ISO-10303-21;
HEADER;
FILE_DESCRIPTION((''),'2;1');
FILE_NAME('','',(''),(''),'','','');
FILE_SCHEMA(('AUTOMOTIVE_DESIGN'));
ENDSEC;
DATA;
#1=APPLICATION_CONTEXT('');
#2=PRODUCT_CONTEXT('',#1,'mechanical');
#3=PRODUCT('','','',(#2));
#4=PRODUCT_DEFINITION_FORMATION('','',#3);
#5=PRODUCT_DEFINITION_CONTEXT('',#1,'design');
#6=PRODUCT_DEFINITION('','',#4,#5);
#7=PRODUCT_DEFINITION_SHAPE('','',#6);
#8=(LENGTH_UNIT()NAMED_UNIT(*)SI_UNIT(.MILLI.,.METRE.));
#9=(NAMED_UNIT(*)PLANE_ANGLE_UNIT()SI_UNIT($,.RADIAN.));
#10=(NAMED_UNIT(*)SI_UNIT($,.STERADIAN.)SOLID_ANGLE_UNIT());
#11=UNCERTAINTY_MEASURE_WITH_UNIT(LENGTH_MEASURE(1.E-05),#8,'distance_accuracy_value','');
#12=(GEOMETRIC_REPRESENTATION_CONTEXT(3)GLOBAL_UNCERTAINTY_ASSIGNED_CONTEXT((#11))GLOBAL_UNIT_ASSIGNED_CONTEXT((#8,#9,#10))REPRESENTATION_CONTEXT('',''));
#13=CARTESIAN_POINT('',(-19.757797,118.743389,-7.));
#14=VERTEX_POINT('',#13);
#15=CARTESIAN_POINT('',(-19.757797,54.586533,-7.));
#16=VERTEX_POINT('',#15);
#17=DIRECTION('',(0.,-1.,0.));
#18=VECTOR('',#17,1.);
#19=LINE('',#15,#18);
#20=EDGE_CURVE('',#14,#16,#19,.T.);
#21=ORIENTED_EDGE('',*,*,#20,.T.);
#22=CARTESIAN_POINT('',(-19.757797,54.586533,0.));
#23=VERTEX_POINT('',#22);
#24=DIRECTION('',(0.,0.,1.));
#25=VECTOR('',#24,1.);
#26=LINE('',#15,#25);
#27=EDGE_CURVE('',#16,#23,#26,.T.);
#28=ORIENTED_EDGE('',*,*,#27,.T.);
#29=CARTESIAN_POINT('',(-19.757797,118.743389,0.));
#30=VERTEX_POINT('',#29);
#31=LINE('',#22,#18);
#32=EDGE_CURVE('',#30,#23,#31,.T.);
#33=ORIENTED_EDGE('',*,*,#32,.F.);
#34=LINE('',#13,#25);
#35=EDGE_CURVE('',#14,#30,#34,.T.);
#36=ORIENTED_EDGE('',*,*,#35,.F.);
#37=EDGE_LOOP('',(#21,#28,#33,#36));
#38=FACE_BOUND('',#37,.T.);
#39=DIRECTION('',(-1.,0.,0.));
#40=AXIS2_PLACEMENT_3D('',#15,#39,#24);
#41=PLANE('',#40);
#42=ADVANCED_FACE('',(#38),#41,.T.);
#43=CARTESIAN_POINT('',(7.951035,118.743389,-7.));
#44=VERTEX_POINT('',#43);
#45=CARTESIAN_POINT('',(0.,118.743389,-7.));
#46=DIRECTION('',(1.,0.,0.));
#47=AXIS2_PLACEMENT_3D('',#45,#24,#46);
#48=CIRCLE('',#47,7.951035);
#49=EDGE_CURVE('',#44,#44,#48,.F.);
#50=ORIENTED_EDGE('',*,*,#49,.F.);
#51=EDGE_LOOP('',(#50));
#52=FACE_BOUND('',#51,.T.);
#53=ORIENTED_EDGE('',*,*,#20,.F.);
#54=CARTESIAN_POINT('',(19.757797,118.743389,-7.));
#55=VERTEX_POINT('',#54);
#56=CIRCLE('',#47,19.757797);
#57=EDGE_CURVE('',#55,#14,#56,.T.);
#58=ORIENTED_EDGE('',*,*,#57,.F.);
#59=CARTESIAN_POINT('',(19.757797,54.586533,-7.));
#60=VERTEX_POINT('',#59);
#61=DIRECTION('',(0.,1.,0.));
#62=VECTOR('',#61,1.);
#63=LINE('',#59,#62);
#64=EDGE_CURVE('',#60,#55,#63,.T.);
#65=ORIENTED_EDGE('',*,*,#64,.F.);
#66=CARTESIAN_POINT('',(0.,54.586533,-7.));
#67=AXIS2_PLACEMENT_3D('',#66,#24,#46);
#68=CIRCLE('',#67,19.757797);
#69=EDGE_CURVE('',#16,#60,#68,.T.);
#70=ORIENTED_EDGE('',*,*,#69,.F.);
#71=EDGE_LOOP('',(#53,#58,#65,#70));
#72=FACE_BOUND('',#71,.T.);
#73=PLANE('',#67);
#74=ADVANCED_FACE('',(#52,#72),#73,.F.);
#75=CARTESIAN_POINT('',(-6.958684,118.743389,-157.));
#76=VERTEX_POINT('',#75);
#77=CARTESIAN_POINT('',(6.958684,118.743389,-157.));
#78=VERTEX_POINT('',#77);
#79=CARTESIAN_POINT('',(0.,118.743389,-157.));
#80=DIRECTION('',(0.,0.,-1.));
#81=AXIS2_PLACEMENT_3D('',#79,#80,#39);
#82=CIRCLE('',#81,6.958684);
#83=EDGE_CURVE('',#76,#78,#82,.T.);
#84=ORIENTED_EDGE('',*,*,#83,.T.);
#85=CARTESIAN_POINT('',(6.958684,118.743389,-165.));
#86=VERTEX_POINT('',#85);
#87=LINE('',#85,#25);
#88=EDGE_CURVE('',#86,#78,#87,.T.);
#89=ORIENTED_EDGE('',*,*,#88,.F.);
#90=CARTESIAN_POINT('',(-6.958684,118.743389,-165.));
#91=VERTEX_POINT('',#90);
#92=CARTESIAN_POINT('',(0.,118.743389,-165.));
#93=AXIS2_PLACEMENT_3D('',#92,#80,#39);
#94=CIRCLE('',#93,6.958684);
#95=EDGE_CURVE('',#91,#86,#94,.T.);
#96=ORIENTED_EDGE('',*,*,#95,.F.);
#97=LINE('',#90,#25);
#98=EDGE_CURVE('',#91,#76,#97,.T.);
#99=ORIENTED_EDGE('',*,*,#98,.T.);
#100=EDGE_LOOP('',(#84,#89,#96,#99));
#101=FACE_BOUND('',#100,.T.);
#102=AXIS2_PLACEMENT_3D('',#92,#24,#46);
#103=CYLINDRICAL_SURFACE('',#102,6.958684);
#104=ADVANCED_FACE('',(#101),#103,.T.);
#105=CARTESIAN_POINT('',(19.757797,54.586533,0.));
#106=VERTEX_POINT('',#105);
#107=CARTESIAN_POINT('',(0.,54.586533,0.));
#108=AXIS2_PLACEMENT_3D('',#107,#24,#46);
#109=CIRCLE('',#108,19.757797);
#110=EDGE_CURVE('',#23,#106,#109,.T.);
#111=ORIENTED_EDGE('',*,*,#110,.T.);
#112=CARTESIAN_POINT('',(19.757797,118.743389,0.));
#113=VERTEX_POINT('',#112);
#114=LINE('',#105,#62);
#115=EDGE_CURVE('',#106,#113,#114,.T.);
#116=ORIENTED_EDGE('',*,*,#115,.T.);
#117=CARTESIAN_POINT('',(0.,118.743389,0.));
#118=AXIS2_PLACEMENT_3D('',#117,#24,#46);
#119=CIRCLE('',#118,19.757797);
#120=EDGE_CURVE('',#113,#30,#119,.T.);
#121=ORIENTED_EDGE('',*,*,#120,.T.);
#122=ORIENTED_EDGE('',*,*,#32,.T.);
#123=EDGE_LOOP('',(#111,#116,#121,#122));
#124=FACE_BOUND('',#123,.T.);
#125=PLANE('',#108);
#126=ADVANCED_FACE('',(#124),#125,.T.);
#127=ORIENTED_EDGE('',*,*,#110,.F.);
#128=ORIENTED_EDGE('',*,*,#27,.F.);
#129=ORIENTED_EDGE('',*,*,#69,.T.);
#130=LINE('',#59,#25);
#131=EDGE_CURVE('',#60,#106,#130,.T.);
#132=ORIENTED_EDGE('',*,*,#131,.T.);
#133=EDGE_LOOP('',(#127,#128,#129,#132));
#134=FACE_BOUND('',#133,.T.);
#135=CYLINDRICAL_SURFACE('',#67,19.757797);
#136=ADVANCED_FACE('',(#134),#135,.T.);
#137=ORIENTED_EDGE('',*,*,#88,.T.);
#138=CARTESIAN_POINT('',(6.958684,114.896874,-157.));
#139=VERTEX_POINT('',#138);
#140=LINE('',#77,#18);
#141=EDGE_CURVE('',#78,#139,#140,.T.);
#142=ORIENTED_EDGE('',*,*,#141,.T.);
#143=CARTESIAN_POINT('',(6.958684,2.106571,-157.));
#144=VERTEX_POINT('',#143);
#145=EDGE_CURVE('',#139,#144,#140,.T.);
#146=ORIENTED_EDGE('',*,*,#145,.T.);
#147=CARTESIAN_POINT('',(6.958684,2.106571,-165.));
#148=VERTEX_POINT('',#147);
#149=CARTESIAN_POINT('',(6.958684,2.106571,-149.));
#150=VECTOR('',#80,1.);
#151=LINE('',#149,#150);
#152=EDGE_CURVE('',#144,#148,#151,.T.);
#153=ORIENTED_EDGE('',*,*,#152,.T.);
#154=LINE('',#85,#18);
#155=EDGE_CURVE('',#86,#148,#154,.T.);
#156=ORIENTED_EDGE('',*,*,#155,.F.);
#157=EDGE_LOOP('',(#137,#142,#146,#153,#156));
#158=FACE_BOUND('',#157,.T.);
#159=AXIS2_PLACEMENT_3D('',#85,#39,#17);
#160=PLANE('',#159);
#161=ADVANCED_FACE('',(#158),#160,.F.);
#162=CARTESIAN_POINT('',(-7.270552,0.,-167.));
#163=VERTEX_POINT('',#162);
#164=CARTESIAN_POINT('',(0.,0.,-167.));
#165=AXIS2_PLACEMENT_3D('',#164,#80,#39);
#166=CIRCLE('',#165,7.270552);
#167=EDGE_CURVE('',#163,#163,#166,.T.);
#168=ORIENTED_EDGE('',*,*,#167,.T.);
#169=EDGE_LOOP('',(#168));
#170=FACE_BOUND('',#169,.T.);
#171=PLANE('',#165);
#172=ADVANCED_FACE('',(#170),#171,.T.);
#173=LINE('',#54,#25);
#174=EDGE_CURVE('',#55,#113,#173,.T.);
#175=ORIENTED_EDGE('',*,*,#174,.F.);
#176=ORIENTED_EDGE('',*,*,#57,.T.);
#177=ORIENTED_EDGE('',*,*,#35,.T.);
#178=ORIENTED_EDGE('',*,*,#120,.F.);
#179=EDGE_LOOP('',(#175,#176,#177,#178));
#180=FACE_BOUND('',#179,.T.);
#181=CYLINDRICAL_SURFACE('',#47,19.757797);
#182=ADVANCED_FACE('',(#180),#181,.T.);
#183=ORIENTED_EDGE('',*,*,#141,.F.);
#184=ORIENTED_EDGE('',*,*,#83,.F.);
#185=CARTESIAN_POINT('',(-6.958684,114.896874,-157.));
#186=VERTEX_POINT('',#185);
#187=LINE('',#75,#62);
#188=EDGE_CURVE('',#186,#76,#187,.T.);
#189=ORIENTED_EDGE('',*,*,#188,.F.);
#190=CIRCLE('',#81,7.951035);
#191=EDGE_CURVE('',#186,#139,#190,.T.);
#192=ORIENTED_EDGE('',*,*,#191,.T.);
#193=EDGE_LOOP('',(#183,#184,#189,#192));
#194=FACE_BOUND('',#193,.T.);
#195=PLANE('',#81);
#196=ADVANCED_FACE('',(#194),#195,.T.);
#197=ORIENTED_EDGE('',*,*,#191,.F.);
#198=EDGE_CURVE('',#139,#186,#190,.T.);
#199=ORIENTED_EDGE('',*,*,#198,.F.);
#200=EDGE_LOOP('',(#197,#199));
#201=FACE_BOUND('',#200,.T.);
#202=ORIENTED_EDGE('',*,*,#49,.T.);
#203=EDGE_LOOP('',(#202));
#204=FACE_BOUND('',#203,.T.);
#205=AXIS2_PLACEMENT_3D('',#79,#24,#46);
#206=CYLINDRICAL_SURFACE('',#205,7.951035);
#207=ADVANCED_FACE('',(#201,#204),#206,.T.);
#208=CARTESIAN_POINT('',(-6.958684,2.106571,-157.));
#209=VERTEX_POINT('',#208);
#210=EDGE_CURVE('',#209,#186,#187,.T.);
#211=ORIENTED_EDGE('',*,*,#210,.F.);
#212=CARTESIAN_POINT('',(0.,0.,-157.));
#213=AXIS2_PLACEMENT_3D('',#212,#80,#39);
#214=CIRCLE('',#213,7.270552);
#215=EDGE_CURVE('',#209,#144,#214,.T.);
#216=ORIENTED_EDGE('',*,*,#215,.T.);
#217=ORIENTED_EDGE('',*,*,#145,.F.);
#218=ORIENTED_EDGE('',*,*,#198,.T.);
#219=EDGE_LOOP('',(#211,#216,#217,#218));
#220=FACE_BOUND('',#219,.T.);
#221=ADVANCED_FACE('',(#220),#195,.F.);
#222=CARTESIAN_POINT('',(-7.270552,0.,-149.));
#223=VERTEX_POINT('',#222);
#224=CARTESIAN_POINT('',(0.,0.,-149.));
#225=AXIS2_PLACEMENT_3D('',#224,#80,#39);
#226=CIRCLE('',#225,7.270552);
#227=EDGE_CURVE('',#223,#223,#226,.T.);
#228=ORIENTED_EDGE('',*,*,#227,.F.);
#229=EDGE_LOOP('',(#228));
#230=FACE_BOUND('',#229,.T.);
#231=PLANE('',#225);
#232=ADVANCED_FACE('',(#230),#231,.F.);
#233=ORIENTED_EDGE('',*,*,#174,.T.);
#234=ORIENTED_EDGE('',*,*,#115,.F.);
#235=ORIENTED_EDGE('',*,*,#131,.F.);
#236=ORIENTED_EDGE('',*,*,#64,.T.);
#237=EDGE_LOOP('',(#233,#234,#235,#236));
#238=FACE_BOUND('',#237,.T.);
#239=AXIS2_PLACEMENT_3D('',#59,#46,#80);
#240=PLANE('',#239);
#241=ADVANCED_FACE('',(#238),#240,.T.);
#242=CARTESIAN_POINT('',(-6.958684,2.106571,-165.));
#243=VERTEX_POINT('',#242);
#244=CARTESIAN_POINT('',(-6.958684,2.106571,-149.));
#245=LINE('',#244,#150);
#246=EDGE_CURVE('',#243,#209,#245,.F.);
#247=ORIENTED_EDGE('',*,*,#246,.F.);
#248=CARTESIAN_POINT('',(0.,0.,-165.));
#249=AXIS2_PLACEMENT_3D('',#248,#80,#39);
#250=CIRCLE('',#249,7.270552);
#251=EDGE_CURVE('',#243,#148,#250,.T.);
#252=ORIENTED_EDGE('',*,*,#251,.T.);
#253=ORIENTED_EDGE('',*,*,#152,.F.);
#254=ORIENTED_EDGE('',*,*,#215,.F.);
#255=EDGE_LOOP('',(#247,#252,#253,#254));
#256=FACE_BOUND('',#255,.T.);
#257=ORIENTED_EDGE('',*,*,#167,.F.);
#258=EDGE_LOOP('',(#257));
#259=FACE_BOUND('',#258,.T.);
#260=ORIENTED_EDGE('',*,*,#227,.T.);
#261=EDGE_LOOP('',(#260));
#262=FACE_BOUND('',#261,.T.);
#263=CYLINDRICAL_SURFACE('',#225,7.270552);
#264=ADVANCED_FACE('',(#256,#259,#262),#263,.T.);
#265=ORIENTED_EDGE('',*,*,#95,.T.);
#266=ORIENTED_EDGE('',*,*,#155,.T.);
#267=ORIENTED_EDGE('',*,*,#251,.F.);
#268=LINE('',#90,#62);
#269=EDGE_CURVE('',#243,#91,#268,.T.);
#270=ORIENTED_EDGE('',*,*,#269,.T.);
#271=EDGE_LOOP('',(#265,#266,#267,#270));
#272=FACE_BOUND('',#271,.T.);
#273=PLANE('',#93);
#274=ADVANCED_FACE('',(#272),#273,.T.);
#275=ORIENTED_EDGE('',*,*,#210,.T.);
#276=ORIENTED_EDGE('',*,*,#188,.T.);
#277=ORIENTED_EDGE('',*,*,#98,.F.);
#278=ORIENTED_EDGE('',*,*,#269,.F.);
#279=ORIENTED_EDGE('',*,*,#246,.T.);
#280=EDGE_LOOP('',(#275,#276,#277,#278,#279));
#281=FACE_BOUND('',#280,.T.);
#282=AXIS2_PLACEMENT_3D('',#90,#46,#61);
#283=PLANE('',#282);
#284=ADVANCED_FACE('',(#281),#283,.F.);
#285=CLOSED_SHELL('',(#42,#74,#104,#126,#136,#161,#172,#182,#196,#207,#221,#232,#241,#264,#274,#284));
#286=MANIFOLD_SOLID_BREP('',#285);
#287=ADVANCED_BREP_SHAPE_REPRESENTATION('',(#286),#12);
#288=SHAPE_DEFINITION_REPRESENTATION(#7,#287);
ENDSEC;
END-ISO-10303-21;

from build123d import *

# Parameters (mm, degrees)
EXTRUDE_1_DEPTH      = 7
SKETCH_3_R           = 7.951035335
EXTRUDE_2_DEPTH      = 150
EXTRUDE_3_DEPTH      = 8
EXTRUDE_4_DEPTH      = 2
EXTRUDE_4_DEPTH_BACK = 16
SKETCH_5_R           = 7.270551731


with BuildPart() as part:
    # 草图1 → 凸台-拉伸1 (new body)
    with BuildSketch(Plane.XY):
        with BuildLine():
            Line((-19.757797481, 54.586532616), (-19.757797481, 118.7433895))
            ThreePointArc((-19.757797481, 118.7433895), (0, 138.50118698), (19.757797481, 118.7433895))
            Line((19.757797481, 118.7433895), (19.757797481, 54.586532616))
            ThreePointArc((19.757797481, 54.586532616), (0, 34.828735136), (-19.757797481, 54.586532616))
        make_face()
    extrude(amount=-EXTRUDE_1_DEPTH)

    # 草图3 → 凸台-拉伸2 (add)
    with BuildSketch(Plane(origin=(0, 0, -7), x_dir=(-1, 0, 0), z_dir=(0, 0, -1))):
        with Locations(Location((0, 118.7433895, 0), (0, 0, 180))):
            Circle(SKETCH_3_R)
    extrude(amount=EXTRUDE_2_DEPTH)

    # 草图4 → 凸台-拉伸3 (add)
    with BuildSketch(Plane(origin=(0, 0, -157), x_dir=(-1, 0, 0), z_dir=(0, 0, -1))):
        with BuildLine():
            Line((6.958683776, 118.7433895), (6.958683776, 0))
            ThreePointArc((6.958683776, 0), (0, -6.958683776), (-6.958683776, 0))
            Line((-6.958683776, 0), (-6.958683776, 118.7433895))
            ThreePointArc((-6.958683776, 118.7433895), (0, 125.702073275), (6.958683776, 118.7433895))
        make_face()
    extrude(amount=EXTRUDE_3_DEPTH)

    # 草图5 → 凸台-拉伸4 (add, two sides: drawn at the far end of the back side and taken through both)
    with BuildSketch(Plane(origin=(0, 0, -165), x_dir=(-1, 0, 0), z_dir=(0, 0, -1)).offset(-EXTRUDE_4_DEPTH_BACK)):
        Circle(SKETCH_5_R)
    extrude(amount=EXTRUDE_4_DEPTH + EXTRUDE_4_DEPTH_BACK)


solid = part.part
